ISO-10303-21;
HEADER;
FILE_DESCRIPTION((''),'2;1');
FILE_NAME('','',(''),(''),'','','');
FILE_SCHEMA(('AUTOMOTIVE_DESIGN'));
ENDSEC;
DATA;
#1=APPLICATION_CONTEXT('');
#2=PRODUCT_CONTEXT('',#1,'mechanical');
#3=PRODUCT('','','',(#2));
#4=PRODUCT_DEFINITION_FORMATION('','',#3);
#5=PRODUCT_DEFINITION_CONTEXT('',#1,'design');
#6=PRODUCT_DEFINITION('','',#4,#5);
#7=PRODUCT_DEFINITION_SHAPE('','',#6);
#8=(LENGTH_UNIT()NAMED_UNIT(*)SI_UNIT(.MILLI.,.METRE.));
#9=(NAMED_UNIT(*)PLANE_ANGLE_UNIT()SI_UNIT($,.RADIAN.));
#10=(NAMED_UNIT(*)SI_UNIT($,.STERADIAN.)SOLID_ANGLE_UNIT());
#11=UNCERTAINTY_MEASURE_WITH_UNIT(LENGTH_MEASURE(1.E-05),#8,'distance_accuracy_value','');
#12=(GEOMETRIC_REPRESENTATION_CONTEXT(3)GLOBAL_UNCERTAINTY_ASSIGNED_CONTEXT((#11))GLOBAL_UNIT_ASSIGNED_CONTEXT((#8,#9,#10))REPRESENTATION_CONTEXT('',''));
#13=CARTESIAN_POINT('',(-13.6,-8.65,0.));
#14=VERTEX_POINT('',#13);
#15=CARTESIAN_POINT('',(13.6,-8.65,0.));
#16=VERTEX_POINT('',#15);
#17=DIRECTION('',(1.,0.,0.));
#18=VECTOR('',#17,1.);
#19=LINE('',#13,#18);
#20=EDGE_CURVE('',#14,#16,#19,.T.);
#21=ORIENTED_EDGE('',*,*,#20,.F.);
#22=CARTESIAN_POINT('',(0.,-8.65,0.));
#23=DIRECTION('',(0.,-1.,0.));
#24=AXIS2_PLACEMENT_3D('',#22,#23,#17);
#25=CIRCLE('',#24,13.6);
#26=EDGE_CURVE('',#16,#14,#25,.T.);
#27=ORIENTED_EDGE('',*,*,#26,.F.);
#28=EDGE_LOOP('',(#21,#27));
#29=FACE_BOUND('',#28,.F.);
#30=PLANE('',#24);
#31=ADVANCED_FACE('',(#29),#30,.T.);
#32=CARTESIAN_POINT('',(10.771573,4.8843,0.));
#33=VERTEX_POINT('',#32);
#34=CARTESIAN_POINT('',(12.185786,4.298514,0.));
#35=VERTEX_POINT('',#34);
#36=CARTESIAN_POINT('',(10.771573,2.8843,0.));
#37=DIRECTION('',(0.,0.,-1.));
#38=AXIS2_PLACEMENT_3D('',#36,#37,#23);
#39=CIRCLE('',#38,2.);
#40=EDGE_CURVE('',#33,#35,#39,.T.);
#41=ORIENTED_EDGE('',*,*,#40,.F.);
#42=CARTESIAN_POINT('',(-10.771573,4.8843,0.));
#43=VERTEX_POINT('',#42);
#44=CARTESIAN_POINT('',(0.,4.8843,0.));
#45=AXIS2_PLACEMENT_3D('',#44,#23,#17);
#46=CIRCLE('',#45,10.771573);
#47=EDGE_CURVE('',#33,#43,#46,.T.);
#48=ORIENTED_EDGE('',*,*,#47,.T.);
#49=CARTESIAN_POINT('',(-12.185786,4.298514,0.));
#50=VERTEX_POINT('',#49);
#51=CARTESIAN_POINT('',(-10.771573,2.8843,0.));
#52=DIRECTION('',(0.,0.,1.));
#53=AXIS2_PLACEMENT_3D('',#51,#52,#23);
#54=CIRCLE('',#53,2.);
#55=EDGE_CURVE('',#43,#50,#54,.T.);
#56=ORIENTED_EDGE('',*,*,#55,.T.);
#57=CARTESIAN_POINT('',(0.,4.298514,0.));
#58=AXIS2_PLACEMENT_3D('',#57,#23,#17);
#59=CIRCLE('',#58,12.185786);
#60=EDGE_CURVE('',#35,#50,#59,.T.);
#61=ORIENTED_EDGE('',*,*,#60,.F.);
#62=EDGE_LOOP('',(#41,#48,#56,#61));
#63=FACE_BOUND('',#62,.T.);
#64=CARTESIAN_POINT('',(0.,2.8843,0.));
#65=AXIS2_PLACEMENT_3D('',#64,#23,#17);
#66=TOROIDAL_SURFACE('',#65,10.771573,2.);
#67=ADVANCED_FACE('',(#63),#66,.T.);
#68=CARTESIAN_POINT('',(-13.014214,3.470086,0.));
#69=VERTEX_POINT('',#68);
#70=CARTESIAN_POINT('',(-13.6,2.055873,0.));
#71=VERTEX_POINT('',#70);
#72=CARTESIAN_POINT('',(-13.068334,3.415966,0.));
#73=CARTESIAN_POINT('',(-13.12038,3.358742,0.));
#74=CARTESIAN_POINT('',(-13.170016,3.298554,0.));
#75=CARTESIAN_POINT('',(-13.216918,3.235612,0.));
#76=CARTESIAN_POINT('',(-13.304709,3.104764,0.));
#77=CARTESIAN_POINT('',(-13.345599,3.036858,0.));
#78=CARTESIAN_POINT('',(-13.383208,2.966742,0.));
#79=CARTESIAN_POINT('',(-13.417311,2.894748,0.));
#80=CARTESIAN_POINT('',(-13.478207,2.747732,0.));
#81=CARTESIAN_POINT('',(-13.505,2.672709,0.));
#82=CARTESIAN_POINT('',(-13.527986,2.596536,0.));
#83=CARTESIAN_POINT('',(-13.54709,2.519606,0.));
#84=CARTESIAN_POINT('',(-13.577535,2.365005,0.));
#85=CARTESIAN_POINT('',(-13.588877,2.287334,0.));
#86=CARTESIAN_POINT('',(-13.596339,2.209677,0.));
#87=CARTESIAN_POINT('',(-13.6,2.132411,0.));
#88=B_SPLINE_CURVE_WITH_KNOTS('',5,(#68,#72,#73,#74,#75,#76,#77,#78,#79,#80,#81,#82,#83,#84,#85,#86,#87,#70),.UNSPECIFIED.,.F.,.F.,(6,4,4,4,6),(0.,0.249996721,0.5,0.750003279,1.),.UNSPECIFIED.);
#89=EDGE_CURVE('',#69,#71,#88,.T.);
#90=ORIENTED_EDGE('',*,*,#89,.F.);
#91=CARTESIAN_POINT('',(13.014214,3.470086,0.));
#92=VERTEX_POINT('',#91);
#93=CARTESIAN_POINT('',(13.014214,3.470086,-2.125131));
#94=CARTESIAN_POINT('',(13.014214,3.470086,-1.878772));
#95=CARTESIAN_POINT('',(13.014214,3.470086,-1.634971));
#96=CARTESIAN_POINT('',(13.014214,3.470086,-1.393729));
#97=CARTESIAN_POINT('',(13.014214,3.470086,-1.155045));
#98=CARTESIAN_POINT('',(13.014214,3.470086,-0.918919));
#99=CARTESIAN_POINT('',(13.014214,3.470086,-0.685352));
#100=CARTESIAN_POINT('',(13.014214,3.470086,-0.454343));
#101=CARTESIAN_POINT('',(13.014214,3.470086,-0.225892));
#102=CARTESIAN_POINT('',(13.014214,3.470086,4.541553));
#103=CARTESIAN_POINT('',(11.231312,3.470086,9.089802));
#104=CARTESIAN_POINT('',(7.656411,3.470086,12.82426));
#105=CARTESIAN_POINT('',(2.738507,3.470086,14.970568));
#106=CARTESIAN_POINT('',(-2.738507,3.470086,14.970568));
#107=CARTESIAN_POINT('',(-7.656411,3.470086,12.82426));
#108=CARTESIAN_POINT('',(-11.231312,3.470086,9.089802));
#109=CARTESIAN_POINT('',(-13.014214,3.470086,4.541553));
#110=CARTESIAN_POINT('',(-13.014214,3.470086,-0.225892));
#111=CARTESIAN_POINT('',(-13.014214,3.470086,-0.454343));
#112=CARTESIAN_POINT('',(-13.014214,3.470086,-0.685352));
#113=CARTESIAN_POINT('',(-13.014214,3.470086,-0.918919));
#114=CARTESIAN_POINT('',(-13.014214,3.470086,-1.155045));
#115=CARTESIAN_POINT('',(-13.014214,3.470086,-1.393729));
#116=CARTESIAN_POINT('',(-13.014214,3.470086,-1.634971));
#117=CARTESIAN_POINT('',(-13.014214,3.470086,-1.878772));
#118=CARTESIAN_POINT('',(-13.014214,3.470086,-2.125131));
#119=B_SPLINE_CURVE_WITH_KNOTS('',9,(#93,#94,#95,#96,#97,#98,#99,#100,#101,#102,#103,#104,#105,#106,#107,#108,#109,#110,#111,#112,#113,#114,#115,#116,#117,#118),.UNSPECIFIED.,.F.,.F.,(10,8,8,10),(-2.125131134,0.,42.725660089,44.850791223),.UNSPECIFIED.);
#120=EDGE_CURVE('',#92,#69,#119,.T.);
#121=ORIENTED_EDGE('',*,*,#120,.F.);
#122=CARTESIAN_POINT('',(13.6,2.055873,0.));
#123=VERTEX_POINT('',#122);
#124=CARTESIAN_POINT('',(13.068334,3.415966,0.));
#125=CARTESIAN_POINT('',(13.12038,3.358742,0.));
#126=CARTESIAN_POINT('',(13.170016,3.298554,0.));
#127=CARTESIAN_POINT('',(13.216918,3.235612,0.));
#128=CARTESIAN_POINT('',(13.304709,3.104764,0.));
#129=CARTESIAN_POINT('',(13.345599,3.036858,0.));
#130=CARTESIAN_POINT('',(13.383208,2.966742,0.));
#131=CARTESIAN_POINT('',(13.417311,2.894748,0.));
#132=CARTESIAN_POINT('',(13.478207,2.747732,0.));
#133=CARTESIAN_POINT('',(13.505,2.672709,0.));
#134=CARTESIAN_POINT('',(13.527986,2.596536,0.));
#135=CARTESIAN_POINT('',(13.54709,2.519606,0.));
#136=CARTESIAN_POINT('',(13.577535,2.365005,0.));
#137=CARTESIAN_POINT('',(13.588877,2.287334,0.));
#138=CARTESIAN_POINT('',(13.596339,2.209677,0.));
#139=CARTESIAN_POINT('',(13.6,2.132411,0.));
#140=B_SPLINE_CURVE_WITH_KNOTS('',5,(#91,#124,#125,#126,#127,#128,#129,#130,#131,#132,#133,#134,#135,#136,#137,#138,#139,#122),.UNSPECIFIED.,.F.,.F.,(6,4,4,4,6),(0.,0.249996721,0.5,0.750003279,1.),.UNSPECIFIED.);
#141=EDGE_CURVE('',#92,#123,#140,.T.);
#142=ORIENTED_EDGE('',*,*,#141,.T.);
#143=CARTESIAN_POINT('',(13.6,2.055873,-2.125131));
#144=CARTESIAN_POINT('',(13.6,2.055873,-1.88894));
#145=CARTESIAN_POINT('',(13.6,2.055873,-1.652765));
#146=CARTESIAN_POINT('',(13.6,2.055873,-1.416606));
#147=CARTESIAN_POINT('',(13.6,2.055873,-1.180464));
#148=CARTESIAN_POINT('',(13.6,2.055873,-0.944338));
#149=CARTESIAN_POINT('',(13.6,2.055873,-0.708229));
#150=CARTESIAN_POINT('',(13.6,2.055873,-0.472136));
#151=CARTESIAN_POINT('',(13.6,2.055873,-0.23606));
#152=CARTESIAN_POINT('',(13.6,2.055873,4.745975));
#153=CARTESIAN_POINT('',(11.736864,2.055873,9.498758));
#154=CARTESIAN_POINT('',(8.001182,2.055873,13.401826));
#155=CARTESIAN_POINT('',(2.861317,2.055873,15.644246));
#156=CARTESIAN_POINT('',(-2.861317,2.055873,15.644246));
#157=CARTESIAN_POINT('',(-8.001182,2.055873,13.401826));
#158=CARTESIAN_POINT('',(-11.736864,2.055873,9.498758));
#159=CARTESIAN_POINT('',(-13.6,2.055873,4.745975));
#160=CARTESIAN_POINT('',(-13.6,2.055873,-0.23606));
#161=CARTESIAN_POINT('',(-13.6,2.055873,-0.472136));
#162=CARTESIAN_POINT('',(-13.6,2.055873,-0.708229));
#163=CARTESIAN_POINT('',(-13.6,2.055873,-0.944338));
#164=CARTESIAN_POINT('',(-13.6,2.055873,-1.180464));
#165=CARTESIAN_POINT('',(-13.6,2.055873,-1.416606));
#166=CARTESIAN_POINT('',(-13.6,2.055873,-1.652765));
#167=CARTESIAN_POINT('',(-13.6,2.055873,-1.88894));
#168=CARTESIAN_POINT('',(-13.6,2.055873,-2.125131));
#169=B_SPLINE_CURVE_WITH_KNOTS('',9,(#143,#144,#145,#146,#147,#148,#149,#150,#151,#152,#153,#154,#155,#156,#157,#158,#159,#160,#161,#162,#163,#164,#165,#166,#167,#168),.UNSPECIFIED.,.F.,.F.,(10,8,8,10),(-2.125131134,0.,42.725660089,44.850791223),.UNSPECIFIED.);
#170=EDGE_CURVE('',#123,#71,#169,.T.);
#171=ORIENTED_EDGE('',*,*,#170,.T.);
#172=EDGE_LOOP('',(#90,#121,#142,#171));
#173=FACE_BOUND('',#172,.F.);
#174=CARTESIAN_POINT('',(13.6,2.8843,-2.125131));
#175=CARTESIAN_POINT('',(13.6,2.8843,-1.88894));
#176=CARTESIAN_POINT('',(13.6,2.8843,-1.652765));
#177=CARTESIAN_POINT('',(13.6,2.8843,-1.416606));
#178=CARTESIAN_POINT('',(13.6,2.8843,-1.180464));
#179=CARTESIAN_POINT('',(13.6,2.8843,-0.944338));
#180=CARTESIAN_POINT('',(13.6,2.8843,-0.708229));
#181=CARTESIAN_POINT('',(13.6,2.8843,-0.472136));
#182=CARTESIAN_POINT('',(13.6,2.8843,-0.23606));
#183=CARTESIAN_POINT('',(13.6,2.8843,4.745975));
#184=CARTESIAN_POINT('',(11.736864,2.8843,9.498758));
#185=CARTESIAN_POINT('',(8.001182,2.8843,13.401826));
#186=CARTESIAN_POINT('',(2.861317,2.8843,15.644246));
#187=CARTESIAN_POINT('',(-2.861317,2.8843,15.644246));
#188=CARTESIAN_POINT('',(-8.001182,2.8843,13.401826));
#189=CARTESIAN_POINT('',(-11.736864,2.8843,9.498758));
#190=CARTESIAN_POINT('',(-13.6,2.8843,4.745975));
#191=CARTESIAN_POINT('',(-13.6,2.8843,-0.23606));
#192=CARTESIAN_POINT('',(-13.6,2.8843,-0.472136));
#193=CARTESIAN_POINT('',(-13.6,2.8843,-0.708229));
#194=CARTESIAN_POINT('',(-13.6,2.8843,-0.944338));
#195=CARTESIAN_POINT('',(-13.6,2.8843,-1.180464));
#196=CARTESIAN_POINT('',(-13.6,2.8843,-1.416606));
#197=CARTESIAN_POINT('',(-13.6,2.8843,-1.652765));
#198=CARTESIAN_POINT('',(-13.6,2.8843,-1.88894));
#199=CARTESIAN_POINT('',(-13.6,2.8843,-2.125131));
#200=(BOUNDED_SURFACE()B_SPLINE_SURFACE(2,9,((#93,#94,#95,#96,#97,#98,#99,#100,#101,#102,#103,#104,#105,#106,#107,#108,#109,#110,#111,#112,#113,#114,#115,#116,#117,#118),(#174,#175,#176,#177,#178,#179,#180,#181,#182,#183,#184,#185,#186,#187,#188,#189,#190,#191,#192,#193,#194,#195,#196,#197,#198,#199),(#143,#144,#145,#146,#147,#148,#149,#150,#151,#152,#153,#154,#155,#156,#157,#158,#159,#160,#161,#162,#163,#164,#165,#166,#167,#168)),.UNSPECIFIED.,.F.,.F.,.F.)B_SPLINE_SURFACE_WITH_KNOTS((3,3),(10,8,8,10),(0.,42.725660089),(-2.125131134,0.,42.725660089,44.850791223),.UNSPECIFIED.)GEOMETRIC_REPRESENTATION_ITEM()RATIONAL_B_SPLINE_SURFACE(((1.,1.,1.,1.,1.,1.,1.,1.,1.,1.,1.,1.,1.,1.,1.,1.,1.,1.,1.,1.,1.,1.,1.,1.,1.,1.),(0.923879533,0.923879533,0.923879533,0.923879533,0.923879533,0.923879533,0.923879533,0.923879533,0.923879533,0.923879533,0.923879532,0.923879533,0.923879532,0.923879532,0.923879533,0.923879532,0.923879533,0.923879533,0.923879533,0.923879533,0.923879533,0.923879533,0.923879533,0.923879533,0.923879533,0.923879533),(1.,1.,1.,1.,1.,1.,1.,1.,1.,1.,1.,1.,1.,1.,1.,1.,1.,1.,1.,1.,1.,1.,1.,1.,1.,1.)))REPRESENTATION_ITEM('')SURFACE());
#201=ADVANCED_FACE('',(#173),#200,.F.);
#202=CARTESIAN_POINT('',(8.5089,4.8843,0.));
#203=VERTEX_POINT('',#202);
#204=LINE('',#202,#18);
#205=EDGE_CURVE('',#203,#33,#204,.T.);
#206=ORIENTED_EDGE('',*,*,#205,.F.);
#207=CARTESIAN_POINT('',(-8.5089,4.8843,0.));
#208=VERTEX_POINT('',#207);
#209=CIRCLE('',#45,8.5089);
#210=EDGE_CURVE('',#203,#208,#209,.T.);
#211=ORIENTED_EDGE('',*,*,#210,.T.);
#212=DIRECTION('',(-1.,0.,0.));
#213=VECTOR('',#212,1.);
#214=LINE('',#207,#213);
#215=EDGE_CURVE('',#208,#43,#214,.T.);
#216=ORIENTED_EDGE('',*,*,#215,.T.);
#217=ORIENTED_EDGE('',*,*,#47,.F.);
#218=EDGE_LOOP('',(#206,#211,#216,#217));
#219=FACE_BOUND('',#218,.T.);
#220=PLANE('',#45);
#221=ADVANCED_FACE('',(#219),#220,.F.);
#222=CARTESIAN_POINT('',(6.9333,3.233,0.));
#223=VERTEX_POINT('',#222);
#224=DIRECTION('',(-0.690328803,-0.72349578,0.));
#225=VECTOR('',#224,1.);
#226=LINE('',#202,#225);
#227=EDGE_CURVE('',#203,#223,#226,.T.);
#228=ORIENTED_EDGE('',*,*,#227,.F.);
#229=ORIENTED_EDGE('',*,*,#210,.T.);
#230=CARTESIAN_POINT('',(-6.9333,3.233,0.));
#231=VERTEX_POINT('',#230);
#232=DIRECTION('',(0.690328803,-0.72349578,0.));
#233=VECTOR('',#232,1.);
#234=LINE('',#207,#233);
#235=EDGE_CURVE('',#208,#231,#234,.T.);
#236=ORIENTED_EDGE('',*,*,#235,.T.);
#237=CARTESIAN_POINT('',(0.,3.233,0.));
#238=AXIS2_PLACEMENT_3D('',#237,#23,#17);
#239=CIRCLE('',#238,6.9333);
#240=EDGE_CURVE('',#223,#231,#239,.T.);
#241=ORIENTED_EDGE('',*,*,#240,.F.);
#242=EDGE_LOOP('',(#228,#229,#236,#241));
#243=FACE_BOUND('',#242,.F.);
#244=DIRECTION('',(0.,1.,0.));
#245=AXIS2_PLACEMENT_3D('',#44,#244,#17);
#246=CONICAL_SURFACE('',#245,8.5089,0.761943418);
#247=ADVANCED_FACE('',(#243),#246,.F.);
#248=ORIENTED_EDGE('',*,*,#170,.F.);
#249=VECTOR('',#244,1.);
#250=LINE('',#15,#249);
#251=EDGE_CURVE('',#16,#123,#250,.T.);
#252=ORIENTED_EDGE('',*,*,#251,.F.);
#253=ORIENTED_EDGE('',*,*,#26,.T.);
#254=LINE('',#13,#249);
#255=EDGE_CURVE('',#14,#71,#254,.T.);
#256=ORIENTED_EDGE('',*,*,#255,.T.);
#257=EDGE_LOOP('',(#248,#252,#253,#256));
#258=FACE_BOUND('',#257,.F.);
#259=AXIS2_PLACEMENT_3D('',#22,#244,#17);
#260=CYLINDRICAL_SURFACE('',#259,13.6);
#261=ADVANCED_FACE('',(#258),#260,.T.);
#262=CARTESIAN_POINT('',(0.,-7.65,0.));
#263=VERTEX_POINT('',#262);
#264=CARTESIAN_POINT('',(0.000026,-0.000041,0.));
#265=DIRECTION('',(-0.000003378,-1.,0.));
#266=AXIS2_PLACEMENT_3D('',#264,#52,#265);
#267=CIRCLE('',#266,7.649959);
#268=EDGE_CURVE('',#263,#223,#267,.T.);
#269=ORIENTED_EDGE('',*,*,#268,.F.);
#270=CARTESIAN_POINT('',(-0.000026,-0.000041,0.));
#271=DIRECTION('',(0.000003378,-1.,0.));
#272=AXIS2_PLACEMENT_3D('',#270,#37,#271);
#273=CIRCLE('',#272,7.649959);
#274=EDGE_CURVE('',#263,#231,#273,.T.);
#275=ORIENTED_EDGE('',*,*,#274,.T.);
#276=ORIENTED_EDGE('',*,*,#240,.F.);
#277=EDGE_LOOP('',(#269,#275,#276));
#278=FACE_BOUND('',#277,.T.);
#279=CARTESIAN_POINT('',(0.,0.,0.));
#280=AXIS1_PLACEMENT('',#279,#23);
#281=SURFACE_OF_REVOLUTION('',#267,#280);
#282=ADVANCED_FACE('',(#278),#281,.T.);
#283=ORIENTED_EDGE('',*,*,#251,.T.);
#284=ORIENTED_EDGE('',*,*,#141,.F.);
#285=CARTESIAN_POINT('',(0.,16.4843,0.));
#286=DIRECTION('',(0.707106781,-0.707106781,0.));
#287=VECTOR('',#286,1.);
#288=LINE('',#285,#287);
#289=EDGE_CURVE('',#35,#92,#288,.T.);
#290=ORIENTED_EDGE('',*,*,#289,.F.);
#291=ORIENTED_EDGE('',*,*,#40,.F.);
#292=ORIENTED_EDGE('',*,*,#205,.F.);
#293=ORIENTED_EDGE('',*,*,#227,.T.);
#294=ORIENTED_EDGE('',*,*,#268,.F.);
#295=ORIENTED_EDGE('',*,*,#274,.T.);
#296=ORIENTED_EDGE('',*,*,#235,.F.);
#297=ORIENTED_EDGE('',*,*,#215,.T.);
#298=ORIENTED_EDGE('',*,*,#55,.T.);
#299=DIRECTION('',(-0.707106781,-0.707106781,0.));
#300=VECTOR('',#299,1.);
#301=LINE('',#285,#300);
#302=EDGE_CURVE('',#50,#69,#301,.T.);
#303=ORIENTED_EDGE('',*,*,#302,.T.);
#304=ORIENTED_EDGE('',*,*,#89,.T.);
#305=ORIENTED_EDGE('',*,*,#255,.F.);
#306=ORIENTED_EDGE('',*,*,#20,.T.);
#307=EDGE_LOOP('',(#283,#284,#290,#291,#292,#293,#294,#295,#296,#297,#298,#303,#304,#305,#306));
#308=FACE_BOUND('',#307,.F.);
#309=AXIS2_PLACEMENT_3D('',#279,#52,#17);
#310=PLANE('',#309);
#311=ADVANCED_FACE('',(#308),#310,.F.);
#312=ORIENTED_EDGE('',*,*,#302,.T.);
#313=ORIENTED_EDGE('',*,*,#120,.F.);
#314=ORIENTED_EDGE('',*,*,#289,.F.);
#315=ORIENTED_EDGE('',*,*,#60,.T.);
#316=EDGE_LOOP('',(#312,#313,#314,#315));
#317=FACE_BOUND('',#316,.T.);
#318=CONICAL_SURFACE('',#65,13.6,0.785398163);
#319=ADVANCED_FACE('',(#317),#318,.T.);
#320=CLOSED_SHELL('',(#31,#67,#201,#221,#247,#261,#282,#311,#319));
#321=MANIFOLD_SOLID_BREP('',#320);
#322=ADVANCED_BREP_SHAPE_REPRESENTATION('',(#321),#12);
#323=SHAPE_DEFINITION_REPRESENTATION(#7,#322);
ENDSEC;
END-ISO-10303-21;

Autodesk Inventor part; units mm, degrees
sketch "스케치1" plane through (0, 0, 0) normal (0, 0, 1) x (1, 0, 0)
  arc A0 (0, -7.65) -> (5.8602, 4.9173) centre (0, 0) ccw
  line L0 (0, -7.65) -> (0, -8.65)
  line L1 (0, -8.65) -> (13.6, -8.65)
  line L2 (13.6, -8.65) -> (13.6, 4.8843)
  line L3 (0, 0) -> (7.5, 0) construction
  line L4 (8.5089, 4.8843) -> (13.6, 4.8843)
  line L5 (0, 0) -> (0, 6.3672)
  line L6 (8.5089, 4.8843) -> (6.9333, 3.233)
  dimension "d0" = 15.3
  dimension "d1" = 1
  dimension "d2" = 13.6
revolve "회전1" add sketch "스케치1" angle 180 about axis through (0, 0, 0) along (0, -1, 0)
sketch "스케치3" plane through (0, 0, 0) normal (0, 0, 1) x (1, 0, 0)
  circle A0 centre (0, 0) radius 2
  dimension "d8" = 4
extrude "돌출2" cut sketch "스케치3" along normal mid plane 12
sketch "스케치4" plane through (0, 0, 0) normal (0, 0, 1) x (1, 0, 0)
  point P0 (0, 0)
  point P1 (0, 0)
sketch "스케치6" plane through (0, 0, 0) normal (0, 0, 1) x (1, 0, 0)
  point P0 (0, 0)
  point P1 (0, 0)
ref_plane "작업 평면1" through (13.6, 4.8843, 7.5) normal (0, 0, -1) x (-1, 0, 0)
ref_plane "작업 평면2" through (13.6, 4.8843, 7.5) normal (0, 0, -1) x (-1, 0, 0)
chamfer "모따기1" distance 2 angle 45 1 edges at (0, 4.8843, 13.6)
ref_plane "작업 평면3" through (0, -1.8829, 13.6) normal (0, 0, -1) x (-1, 0, 0)
ref_plane "작업 평면4" through (0, 0, 7.5) normal (0, 0, -1) x (-1, 0, 0)
fillet "모깎기2" radius 2 2 edges at (0, 2.8843, 13.6) (0, 4.8843, 11.6)
properties part number "ball socket"
